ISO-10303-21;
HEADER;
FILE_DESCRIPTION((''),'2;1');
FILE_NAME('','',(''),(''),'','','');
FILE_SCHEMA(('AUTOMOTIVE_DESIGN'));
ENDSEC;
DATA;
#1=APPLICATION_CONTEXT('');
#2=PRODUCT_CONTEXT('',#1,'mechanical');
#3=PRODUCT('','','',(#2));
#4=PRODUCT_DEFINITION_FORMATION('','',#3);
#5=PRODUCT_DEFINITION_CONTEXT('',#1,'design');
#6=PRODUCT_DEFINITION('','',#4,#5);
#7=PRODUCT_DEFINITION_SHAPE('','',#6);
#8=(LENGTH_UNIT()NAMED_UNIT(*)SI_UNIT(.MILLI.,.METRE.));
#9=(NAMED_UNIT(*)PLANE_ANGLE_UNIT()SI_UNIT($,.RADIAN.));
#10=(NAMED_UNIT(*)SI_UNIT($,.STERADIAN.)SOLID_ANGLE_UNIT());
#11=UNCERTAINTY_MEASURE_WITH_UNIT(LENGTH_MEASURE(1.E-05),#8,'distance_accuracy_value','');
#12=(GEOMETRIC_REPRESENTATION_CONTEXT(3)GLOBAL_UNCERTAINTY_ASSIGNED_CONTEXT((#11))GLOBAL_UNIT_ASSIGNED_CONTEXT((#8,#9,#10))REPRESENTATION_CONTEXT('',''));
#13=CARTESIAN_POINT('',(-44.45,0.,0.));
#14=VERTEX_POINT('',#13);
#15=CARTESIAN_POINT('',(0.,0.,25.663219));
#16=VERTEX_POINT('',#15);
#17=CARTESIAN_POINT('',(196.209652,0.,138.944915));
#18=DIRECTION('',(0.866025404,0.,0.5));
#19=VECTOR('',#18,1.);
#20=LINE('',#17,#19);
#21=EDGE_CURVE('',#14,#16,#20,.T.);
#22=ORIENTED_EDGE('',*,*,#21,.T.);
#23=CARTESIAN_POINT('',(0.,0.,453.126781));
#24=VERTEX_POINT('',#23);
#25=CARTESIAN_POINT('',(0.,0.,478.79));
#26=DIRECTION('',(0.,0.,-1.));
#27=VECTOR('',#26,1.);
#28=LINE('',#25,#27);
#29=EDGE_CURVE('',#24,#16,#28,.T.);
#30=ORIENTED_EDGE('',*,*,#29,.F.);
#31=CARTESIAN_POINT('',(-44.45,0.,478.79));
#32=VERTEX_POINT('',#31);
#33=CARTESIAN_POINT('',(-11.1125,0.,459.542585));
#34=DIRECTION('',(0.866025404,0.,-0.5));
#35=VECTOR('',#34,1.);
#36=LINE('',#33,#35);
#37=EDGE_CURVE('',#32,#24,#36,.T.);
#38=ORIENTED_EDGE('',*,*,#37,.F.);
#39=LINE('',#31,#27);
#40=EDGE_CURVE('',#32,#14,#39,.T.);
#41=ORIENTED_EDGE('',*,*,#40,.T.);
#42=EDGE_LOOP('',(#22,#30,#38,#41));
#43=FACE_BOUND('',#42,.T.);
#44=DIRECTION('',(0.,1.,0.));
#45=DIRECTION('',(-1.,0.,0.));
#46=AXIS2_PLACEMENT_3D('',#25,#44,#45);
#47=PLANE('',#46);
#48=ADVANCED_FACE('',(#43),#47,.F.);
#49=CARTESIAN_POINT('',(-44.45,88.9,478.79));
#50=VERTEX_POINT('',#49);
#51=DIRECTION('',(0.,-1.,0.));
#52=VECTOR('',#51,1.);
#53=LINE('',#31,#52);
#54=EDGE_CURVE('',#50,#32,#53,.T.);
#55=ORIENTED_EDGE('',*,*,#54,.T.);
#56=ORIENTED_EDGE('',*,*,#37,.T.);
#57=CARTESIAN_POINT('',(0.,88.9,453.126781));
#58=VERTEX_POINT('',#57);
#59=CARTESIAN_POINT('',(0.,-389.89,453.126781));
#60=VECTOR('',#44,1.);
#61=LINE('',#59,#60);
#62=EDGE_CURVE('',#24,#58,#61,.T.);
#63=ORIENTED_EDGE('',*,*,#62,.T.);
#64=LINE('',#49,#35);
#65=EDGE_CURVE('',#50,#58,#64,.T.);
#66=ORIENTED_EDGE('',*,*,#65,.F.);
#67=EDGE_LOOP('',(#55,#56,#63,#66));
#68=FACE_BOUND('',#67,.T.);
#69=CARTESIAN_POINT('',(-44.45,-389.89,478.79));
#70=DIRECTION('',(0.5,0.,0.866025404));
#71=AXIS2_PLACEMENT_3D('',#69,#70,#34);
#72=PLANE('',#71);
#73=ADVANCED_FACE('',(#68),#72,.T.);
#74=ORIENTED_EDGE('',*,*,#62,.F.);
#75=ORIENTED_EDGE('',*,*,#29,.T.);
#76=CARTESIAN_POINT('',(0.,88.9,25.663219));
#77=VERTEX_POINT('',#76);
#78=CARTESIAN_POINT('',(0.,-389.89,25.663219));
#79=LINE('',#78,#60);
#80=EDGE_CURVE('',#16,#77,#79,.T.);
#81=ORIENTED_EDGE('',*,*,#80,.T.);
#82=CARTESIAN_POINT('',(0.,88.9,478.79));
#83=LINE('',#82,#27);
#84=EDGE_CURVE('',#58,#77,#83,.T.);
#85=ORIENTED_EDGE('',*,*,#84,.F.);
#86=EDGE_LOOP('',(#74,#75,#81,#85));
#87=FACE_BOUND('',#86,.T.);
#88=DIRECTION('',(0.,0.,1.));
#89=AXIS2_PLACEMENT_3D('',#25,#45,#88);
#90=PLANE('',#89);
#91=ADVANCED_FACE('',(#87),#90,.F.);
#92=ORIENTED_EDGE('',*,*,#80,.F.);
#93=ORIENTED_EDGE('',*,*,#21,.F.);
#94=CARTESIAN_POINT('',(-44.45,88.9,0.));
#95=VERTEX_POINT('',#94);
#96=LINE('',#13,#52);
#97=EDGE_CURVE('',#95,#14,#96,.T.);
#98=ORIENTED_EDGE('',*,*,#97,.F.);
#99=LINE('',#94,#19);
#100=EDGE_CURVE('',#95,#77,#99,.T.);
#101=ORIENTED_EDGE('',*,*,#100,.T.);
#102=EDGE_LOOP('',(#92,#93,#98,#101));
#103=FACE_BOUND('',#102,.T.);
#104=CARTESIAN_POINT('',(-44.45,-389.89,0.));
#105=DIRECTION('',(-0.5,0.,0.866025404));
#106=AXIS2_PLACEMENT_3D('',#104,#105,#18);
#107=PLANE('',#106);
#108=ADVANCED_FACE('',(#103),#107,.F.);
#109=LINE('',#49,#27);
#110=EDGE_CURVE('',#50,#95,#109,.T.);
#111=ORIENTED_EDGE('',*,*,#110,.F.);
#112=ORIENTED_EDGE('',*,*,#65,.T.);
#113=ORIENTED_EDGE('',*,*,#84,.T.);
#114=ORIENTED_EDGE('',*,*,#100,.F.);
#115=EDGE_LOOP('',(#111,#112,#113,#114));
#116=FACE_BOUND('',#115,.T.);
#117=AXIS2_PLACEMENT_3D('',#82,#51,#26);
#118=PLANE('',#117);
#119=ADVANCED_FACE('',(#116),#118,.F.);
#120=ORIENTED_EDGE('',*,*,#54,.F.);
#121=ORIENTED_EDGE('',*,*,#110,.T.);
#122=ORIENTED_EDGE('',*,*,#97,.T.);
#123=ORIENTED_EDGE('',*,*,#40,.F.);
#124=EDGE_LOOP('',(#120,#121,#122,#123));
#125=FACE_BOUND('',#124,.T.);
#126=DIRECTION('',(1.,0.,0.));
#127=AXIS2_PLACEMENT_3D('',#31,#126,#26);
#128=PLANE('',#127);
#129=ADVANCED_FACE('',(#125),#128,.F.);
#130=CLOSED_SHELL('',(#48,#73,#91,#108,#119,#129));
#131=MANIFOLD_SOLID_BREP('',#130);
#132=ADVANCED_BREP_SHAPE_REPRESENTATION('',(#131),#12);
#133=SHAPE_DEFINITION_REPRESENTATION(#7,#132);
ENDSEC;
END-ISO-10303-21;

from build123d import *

# Parameters (mm, degrees)
SKETCH1_W           = 44.45
SKETCH1_H           = 88.9
BOSS_EXTRUDE1_DEPTH = 478.79
CUT_EXTRUDE1_DEPTH  = 478.79


with BuildPart() as part:
    # Sketch1 → Boss-Extrude1 (new body)
    with BuildSketch(Plane.XY):
        with Locations((-22.225, 44.45)):
            Rectangle(SKETCH1_W, SKETCH1_H)
    extrude(amount=BOSS_EXTRUDE1_DEPTH)

    # Sketch2 → Cut-Extrude1 (cut)
    with BuildSketch(Plane(origin=(0, 88.9, 0), x_dir=(1, 0, 0), z_dir=(0, 1, 0))):
        Polygon((-44.45, 0), (0, -25.663219465), (0, 0), align=None)
        Polygon((-44.45, -478.79), (0, -453.126780535), (0, -478.79), align=None)
    extrude(amount=-CUT_EXTRUDE1_DEPTH, mode=Mode.SUBTRACT)


solid = part.part
